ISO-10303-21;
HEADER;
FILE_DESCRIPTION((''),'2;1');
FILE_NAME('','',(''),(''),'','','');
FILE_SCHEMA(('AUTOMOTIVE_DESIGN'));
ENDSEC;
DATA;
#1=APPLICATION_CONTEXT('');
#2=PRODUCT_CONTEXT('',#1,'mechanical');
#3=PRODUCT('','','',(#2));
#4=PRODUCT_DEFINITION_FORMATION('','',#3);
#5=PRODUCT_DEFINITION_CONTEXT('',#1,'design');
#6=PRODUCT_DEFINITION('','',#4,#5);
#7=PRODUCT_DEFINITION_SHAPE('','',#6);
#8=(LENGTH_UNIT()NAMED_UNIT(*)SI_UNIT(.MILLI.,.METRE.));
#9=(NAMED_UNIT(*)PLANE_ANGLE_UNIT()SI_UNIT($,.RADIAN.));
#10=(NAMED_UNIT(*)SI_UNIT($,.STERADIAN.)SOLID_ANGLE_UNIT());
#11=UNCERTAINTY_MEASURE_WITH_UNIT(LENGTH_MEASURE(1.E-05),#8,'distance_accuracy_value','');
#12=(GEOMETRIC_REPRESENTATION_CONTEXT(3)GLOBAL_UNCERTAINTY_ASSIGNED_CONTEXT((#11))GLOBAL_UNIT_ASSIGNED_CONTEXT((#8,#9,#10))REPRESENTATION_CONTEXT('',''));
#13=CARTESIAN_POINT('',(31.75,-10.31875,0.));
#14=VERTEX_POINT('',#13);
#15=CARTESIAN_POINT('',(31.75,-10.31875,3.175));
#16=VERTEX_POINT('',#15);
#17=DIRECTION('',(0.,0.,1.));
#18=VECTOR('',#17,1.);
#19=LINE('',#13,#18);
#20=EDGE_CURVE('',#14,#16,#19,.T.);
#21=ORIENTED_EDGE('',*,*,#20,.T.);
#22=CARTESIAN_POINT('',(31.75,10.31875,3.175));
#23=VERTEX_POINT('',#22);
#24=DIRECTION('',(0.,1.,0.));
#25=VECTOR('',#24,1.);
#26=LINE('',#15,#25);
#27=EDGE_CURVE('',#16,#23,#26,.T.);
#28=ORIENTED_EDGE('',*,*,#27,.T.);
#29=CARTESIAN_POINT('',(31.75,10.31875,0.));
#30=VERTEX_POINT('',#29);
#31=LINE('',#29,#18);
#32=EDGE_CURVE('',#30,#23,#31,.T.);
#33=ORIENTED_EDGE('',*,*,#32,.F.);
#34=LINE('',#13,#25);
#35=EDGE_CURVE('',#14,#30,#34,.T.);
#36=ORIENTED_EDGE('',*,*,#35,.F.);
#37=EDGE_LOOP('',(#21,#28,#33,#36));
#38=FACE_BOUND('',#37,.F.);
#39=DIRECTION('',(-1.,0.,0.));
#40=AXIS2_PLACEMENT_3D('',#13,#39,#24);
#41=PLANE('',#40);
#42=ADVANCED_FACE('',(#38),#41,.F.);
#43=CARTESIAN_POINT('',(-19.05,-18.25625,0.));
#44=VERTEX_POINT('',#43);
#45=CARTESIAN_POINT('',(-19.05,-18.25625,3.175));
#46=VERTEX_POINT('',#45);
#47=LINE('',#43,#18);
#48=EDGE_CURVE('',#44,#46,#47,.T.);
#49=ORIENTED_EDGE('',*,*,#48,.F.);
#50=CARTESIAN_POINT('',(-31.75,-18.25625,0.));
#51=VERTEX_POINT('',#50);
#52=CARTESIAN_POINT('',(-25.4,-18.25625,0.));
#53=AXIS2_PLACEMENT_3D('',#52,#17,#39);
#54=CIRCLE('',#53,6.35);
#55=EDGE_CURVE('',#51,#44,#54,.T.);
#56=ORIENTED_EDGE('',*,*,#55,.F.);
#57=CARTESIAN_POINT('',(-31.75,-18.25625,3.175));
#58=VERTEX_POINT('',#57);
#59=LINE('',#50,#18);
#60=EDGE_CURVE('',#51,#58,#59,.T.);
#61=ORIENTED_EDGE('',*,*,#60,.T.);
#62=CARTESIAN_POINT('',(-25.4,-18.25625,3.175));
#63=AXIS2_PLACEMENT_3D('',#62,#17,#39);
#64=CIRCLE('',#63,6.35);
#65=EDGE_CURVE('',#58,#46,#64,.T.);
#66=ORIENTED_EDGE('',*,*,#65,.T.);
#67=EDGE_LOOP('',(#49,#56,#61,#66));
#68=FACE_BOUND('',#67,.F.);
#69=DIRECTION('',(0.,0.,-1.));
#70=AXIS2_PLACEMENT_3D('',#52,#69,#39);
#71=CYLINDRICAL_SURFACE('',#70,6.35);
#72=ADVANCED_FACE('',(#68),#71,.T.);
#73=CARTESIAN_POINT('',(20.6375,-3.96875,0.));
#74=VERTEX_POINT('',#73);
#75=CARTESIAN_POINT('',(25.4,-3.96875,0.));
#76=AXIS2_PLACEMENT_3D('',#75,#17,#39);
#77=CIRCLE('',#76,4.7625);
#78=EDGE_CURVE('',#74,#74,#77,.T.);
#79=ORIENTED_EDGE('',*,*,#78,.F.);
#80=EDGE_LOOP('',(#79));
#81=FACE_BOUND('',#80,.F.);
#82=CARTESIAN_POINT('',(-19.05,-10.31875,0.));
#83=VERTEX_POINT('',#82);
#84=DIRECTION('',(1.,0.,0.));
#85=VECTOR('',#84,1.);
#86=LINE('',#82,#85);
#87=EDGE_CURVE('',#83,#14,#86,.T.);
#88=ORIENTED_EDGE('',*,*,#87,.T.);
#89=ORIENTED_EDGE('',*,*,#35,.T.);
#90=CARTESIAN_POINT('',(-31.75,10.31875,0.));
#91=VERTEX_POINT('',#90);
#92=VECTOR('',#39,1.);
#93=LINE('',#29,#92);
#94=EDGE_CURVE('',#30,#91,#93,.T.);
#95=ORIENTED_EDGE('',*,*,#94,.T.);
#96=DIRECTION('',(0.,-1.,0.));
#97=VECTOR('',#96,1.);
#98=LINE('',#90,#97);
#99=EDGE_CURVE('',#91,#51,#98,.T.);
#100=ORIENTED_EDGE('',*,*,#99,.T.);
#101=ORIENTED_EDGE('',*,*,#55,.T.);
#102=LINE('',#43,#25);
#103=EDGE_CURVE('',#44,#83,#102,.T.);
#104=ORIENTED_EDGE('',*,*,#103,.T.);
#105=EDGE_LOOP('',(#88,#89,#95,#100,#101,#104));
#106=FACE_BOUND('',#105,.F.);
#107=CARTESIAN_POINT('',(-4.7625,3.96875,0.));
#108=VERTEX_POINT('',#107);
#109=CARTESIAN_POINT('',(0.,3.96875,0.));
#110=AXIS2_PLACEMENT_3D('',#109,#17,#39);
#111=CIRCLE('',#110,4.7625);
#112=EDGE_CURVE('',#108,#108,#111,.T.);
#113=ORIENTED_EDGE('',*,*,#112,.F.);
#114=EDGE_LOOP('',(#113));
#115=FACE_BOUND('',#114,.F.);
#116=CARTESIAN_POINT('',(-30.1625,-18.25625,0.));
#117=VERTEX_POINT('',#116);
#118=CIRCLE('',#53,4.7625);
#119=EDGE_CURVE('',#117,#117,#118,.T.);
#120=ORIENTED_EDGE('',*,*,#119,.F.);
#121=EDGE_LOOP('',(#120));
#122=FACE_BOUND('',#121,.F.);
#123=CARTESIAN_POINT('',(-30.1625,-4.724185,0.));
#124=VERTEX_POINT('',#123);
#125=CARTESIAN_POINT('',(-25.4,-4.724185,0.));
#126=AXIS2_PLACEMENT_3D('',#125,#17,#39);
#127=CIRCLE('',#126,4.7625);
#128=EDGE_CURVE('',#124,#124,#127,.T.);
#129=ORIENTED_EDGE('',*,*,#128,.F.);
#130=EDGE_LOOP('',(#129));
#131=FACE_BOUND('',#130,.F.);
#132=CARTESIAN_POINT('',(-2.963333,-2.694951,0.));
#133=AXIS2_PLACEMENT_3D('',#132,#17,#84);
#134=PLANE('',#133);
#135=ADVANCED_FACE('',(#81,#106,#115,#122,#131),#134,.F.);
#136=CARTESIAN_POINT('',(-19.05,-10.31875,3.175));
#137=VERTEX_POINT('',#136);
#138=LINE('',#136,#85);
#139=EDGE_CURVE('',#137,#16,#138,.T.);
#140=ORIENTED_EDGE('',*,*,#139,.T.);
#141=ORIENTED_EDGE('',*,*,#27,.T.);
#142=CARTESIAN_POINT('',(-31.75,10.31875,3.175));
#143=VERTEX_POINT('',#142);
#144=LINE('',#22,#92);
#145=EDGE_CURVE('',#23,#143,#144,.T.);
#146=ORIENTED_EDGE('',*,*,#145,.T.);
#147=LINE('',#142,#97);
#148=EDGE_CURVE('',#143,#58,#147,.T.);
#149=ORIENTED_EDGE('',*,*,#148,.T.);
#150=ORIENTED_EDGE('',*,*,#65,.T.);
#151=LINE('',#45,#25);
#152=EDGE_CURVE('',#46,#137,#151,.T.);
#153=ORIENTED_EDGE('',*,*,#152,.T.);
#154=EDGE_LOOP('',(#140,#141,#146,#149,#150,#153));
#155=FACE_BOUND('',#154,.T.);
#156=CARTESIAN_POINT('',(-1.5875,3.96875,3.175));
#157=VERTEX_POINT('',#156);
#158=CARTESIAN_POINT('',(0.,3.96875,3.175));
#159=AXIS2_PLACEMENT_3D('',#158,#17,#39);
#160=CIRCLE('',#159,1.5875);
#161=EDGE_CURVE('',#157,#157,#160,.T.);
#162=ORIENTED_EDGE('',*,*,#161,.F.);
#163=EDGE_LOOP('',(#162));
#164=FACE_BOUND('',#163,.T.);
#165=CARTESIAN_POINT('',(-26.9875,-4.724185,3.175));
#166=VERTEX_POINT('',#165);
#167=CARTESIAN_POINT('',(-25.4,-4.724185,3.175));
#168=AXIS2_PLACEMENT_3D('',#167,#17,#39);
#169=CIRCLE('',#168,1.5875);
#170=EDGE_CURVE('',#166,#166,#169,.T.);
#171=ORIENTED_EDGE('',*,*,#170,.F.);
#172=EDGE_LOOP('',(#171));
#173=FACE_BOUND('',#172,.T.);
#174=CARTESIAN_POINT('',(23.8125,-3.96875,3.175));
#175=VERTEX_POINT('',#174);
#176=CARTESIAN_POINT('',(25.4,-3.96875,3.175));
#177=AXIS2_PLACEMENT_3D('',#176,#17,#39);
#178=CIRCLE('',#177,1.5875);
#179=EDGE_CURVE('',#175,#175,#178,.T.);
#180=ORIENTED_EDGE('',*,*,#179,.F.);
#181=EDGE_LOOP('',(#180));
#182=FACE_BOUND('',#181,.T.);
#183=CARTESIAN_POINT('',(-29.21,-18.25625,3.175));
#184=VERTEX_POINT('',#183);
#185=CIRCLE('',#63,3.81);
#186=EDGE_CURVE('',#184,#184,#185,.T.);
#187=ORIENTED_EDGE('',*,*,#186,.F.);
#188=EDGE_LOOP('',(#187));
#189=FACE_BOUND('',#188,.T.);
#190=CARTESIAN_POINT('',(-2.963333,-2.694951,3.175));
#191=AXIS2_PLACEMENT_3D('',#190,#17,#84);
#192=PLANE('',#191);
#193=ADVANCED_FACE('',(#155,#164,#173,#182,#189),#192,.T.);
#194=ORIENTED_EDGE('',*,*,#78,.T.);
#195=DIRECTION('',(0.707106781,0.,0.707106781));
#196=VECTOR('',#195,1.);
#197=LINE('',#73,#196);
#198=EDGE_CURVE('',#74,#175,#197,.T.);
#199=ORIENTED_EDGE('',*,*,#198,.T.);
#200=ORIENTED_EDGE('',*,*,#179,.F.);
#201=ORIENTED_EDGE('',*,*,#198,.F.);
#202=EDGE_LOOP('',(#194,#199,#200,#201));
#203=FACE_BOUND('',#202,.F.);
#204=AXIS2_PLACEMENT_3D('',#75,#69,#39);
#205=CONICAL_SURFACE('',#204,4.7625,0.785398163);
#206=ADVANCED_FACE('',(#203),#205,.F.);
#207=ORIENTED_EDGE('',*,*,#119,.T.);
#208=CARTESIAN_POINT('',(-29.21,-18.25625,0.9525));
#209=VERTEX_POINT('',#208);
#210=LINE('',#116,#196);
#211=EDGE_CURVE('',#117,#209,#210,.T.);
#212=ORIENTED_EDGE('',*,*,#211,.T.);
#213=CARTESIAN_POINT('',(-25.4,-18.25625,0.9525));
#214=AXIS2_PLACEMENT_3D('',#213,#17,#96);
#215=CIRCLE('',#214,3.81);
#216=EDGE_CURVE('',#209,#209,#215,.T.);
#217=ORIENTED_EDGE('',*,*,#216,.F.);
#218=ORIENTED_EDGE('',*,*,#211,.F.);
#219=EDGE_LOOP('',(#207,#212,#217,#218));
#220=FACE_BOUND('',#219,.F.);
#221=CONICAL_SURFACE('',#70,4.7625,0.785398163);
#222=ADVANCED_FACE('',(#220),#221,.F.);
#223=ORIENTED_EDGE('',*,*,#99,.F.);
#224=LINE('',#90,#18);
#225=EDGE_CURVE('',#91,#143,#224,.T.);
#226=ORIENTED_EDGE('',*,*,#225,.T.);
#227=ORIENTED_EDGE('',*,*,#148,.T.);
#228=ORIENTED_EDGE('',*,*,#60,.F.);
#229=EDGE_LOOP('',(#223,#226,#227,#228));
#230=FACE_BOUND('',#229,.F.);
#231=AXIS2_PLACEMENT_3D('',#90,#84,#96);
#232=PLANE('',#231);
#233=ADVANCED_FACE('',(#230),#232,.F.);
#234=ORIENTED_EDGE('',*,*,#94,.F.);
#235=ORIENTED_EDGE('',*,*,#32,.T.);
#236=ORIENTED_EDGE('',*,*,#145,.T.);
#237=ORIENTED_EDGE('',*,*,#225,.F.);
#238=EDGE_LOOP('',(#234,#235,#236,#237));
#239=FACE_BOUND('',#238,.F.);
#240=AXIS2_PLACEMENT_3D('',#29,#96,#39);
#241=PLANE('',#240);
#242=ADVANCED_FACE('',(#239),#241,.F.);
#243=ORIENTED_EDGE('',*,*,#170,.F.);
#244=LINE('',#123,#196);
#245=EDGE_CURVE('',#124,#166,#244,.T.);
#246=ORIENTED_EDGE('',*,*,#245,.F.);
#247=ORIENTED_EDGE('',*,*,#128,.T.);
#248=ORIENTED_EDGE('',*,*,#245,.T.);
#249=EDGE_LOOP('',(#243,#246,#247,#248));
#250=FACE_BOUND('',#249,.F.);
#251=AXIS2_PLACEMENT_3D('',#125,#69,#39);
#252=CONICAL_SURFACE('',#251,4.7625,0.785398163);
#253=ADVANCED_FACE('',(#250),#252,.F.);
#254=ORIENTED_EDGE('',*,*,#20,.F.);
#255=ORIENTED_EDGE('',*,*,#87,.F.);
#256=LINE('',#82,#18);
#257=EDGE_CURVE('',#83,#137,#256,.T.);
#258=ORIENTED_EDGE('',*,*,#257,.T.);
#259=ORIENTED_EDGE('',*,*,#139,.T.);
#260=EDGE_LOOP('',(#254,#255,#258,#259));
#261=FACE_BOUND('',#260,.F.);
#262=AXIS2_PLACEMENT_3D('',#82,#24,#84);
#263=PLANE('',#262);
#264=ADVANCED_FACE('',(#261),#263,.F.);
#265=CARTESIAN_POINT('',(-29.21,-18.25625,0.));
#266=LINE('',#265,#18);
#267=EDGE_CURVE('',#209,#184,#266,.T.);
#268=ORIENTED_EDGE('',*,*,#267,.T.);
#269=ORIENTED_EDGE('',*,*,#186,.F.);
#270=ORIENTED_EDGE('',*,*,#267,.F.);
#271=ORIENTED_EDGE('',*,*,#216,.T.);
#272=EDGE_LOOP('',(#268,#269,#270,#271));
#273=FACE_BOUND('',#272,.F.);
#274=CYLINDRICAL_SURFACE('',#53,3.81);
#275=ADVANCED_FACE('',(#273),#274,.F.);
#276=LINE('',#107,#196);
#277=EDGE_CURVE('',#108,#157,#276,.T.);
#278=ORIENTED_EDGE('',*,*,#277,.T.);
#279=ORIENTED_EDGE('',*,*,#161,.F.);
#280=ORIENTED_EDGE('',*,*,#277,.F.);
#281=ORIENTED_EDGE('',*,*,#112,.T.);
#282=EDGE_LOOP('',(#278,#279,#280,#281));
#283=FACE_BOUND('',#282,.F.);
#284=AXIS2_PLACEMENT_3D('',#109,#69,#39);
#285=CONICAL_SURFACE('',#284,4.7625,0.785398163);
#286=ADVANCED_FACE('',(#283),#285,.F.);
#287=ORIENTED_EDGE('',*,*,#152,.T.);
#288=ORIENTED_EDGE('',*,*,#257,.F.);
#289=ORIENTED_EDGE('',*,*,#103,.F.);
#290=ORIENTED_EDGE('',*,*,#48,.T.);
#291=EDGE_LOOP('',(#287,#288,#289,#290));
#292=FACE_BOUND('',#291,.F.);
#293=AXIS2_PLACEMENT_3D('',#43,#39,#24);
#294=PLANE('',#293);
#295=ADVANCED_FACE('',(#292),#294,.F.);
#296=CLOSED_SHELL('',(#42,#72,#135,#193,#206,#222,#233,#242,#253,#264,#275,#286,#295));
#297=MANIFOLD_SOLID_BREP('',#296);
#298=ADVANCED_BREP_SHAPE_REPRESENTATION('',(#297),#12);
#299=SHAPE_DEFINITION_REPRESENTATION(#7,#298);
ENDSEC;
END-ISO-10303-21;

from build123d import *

# Parameters (mm, degrees)
F1_DEPTH       = 3.175
F2_D           = 2.54
F2_CSINK_D     = 9.525
F2_CSINK_ANGLE = 90
F3_D           = 7.62
F3_CSINK_D     = 9.525
F3_CSINK_ANGLE = 90


with BuildPart() as f1:
    # F0 (on Top) → F1 (new body)
    with BuildSketch(Plane.XY):
        with BuildLine():
            Line((31.75, -10.31875), (31.75, 10.31875))
            Line((31.75, 10.31875), (-31.75, 10.31875))
            Line((-31.75, 10.31875), (-31.75, -18.25625))
            ThreePointArc((-31.75, -18.25625), (-25.4, -24.60625), (-19.05, -18.25625))
            Line((-19.05, -18.25625), (-19.05, -10.31875))
            Line((-19.05, -10.31875), (31.75, -10.31875))
        make_face()
    extrude(amount=F1_DEPTH)

    # F2 (through all)
    with Locations(Plane(origin=(0, 0, 0), x_dir=(1, 0, 0), z_dir=(0, 0, -1))):
        with Locations((25.4, 3.96875), (0, -3.96875), (-25.4, 4.7241849825)):
            CounterSinkHole(F2_D / 2, F2_CSINK_D / 2, counter_sink_angle=F2_CSINK_ANGLE)

    # F3 (through all)
    with Locations(Plane(origin=(0, 0, 0), x_dir=(1, 0, 0), z_dir=(0, 0, -1))):
        with Locations((-25.4, 18.25625)):
            CounterSinkHole(F3_D / 2, F3_CSINK_D / 2, counter_sink_angle=F3_CSINK_ANGLE)


solid = f1.part
